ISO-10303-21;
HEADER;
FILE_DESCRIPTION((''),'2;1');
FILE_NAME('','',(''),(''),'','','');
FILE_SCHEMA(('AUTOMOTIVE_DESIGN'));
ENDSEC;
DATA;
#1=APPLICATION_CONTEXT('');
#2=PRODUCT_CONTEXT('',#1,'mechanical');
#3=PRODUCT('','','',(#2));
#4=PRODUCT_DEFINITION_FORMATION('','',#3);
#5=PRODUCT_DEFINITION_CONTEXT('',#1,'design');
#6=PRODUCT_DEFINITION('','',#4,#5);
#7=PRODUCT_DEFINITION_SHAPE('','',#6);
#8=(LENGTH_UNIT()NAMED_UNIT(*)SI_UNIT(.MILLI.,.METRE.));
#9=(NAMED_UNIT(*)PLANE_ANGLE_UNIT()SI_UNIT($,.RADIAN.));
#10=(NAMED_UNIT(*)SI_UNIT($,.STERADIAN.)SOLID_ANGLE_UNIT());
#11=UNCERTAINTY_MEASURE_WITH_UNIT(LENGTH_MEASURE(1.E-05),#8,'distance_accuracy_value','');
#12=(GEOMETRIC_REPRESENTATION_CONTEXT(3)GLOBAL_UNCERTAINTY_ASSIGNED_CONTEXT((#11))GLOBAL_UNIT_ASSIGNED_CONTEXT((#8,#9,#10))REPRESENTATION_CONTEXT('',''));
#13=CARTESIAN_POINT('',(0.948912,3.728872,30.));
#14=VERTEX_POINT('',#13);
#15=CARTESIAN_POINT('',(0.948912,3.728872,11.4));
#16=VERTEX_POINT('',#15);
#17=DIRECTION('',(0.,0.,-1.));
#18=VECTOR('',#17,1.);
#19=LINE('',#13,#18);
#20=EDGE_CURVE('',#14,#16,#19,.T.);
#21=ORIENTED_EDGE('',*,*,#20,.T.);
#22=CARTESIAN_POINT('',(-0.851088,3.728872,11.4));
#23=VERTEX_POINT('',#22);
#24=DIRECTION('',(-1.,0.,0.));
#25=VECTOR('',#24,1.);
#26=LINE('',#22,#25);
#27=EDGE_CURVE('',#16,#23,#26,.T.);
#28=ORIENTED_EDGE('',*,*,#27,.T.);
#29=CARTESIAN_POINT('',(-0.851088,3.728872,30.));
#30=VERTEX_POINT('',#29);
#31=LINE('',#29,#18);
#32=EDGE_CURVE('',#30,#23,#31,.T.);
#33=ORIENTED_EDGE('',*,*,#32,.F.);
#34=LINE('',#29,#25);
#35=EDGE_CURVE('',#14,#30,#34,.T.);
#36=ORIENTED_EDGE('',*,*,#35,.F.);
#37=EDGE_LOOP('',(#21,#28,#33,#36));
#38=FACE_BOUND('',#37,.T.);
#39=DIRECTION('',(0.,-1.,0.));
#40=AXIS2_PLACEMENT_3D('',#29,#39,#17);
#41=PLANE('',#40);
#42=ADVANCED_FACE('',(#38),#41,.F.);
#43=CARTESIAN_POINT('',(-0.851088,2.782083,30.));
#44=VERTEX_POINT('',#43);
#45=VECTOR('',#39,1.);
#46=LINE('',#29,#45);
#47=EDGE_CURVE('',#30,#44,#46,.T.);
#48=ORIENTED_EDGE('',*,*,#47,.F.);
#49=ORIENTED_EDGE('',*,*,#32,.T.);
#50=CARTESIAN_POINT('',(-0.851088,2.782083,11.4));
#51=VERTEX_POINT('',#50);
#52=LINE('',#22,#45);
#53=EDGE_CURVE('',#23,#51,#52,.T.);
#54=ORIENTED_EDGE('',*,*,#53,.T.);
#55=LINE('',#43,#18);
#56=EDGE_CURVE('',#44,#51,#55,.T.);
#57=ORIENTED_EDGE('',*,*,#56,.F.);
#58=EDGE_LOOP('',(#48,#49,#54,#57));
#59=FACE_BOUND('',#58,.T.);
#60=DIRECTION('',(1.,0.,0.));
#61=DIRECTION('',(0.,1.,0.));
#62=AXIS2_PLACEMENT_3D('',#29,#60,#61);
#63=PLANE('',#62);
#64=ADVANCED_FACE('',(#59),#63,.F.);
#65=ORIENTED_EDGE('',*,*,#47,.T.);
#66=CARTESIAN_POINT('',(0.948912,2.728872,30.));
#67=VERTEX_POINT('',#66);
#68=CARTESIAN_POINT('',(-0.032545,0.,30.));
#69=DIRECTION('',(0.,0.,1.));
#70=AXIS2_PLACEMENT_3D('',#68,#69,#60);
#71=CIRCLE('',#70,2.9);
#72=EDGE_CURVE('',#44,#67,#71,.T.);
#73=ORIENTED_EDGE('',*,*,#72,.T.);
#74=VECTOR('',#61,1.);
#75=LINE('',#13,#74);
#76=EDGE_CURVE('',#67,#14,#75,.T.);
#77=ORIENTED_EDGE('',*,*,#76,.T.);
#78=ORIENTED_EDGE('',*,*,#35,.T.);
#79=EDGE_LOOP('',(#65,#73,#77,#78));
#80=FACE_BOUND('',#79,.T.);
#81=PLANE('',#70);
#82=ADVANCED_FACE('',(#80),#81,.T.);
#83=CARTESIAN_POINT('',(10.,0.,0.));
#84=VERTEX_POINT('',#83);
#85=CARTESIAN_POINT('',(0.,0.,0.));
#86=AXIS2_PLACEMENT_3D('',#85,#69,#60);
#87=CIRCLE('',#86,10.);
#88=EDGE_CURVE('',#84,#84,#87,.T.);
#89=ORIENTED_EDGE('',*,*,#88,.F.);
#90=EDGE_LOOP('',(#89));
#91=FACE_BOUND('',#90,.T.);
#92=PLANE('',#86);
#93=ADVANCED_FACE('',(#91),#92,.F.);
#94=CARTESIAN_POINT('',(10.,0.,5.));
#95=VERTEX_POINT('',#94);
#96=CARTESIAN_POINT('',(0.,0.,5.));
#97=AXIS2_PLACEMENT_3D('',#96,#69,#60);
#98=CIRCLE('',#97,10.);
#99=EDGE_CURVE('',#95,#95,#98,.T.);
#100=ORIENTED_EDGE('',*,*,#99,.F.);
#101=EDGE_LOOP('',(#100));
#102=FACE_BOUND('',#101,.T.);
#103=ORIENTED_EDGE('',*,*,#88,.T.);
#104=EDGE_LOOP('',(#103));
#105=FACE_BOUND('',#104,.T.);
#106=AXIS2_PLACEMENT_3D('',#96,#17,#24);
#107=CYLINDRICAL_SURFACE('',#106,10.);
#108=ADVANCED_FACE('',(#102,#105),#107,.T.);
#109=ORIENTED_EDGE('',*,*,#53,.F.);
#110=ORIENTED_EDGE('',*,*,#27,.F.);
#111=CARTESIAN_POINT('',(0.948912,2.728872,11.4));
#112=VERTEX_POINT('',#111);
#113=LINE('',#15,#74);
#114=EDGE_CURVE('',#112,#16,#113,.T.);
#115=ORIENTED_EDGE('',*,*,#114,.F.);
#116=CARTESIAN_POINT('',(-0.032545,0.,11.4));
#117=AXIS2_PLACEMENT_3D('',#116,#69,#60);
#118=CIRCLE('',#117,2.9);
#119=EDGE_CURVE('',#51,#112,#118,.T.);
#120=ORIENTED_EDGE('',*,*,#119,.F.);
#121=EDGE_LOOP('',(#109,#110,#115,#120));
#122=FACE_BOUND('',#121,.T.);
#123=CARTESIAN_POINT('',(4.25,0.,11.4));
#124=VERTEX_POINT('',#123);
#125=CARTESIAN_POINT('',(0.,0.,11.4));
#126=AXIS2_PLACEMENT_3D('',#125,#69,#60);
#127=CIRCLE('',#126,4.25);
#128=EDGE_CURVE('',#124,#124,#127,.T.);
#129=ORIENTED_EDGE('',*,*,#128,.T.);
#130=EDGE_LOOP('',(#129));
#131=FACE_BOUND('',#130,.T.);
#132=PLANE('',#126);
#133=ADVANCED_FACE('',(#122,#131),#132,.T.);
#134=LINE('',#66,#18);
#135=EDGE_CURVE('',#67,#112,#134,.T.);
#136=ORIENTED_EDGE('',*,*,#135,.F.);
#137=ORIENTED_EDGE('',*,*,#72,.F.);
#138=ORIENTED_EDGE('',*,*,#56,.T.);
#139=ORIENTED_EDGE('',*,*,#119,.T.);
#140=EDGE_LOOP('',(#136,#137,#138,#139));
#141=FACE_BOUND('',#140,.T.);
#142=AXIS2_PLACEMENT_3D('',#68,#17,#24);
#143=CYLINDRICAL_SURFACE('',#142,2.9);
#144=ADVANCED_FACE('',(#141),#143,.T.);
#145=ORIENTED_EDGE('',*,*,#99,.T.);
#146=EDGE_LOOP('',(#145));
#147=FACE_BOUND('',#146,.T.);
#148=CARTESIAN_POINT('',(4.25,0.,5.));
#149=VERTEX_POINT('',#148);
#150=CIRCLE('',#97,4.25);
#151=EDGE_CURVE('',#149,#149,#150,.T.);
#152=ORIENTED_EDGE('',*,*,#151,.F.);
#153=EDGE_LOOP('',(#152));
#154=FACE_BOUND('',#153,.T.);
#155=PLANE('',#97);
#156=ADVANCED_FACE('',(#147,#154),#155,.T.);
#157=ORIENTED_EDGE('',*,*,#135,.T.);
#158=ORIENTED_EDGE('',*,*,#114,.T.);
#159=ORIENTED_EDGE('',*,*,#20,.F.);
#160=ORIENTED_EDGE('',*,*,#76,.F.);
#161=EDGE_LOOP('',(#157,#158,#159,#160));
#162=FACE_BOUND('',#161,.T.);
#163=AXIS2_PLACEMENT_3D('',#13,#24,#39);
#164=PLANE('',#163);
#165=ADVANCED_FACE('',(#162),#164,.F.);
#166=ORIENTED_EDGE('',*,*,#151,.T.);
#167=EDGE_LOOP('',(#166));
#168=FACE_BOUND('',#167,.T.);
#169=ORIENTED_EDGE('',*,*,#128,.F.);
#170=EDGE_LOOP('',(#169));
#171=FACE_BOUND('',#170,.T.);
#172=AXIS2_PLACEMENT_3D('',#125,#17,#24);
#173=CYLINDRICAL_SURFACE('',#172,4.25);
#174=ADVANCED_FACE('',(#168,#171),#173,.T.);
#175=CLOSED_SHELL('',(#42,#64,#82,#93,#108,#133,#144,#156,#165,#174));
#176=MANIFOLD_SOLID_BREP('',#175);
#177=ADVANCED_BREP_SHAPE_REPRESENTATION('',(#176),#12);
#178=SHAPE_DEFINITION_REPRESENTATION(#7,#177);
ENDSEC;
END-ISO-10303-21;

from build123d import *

# Parameters (mm, degrees)
SKETCH1_R           = 10
BOSS_EXTRUDE1_DEPTH = 5
SKETCH3_R           = 4.25
BOSS_EXTRUDE3_DEPTH = 6.4
BOSS_EXTRUDE2_DEPTH = 18.6


with BuildPart() as part:
    # Sketch1 → Boss-Extrude1 (new body)
    with BuildSketch(Plane(origin=(0, 0, 0), x_dir=(0, 1, 0), z_dir=(0, 0, 1))):
        with Locations(Location((0, 0, 0), (0, 0, 270))):
            Circle(SKETCH1_R)
    extrude(amount=BOSS_EXTRUDE1_DEPTH)

    # Sketch3 → Boss-Extrude3 (add)
    with BuildSketch(Plane.XY.offset(5)):
        Circle(SKETCH3_R)
    extrude(amount=BOSS_EXTRUDE3_DEPTH)

    # Sketch2 → Boss-Extrude2 (add)
    with BuildSketch(Plane.XY.offset(11.4)):
        with BuildLine():
            Line((-0.851088332, 3.728872107), (0.948911668, 3.728872107))
            Line((0.948911668, 3.728872107), (0.948911668, 2.728872107))
            ThreePointArc((0.948911668, 2.728872107), (-0.118236387, -2.898733684), (-0.851088332, 2.782083153))
            Line((-0.851088332, 2.782083153), (-0.851088332, 3.728872107))
        make_face()
    extrude(amount=BOSS_EXTRUDE2_DEPTH)


solid = part.part
